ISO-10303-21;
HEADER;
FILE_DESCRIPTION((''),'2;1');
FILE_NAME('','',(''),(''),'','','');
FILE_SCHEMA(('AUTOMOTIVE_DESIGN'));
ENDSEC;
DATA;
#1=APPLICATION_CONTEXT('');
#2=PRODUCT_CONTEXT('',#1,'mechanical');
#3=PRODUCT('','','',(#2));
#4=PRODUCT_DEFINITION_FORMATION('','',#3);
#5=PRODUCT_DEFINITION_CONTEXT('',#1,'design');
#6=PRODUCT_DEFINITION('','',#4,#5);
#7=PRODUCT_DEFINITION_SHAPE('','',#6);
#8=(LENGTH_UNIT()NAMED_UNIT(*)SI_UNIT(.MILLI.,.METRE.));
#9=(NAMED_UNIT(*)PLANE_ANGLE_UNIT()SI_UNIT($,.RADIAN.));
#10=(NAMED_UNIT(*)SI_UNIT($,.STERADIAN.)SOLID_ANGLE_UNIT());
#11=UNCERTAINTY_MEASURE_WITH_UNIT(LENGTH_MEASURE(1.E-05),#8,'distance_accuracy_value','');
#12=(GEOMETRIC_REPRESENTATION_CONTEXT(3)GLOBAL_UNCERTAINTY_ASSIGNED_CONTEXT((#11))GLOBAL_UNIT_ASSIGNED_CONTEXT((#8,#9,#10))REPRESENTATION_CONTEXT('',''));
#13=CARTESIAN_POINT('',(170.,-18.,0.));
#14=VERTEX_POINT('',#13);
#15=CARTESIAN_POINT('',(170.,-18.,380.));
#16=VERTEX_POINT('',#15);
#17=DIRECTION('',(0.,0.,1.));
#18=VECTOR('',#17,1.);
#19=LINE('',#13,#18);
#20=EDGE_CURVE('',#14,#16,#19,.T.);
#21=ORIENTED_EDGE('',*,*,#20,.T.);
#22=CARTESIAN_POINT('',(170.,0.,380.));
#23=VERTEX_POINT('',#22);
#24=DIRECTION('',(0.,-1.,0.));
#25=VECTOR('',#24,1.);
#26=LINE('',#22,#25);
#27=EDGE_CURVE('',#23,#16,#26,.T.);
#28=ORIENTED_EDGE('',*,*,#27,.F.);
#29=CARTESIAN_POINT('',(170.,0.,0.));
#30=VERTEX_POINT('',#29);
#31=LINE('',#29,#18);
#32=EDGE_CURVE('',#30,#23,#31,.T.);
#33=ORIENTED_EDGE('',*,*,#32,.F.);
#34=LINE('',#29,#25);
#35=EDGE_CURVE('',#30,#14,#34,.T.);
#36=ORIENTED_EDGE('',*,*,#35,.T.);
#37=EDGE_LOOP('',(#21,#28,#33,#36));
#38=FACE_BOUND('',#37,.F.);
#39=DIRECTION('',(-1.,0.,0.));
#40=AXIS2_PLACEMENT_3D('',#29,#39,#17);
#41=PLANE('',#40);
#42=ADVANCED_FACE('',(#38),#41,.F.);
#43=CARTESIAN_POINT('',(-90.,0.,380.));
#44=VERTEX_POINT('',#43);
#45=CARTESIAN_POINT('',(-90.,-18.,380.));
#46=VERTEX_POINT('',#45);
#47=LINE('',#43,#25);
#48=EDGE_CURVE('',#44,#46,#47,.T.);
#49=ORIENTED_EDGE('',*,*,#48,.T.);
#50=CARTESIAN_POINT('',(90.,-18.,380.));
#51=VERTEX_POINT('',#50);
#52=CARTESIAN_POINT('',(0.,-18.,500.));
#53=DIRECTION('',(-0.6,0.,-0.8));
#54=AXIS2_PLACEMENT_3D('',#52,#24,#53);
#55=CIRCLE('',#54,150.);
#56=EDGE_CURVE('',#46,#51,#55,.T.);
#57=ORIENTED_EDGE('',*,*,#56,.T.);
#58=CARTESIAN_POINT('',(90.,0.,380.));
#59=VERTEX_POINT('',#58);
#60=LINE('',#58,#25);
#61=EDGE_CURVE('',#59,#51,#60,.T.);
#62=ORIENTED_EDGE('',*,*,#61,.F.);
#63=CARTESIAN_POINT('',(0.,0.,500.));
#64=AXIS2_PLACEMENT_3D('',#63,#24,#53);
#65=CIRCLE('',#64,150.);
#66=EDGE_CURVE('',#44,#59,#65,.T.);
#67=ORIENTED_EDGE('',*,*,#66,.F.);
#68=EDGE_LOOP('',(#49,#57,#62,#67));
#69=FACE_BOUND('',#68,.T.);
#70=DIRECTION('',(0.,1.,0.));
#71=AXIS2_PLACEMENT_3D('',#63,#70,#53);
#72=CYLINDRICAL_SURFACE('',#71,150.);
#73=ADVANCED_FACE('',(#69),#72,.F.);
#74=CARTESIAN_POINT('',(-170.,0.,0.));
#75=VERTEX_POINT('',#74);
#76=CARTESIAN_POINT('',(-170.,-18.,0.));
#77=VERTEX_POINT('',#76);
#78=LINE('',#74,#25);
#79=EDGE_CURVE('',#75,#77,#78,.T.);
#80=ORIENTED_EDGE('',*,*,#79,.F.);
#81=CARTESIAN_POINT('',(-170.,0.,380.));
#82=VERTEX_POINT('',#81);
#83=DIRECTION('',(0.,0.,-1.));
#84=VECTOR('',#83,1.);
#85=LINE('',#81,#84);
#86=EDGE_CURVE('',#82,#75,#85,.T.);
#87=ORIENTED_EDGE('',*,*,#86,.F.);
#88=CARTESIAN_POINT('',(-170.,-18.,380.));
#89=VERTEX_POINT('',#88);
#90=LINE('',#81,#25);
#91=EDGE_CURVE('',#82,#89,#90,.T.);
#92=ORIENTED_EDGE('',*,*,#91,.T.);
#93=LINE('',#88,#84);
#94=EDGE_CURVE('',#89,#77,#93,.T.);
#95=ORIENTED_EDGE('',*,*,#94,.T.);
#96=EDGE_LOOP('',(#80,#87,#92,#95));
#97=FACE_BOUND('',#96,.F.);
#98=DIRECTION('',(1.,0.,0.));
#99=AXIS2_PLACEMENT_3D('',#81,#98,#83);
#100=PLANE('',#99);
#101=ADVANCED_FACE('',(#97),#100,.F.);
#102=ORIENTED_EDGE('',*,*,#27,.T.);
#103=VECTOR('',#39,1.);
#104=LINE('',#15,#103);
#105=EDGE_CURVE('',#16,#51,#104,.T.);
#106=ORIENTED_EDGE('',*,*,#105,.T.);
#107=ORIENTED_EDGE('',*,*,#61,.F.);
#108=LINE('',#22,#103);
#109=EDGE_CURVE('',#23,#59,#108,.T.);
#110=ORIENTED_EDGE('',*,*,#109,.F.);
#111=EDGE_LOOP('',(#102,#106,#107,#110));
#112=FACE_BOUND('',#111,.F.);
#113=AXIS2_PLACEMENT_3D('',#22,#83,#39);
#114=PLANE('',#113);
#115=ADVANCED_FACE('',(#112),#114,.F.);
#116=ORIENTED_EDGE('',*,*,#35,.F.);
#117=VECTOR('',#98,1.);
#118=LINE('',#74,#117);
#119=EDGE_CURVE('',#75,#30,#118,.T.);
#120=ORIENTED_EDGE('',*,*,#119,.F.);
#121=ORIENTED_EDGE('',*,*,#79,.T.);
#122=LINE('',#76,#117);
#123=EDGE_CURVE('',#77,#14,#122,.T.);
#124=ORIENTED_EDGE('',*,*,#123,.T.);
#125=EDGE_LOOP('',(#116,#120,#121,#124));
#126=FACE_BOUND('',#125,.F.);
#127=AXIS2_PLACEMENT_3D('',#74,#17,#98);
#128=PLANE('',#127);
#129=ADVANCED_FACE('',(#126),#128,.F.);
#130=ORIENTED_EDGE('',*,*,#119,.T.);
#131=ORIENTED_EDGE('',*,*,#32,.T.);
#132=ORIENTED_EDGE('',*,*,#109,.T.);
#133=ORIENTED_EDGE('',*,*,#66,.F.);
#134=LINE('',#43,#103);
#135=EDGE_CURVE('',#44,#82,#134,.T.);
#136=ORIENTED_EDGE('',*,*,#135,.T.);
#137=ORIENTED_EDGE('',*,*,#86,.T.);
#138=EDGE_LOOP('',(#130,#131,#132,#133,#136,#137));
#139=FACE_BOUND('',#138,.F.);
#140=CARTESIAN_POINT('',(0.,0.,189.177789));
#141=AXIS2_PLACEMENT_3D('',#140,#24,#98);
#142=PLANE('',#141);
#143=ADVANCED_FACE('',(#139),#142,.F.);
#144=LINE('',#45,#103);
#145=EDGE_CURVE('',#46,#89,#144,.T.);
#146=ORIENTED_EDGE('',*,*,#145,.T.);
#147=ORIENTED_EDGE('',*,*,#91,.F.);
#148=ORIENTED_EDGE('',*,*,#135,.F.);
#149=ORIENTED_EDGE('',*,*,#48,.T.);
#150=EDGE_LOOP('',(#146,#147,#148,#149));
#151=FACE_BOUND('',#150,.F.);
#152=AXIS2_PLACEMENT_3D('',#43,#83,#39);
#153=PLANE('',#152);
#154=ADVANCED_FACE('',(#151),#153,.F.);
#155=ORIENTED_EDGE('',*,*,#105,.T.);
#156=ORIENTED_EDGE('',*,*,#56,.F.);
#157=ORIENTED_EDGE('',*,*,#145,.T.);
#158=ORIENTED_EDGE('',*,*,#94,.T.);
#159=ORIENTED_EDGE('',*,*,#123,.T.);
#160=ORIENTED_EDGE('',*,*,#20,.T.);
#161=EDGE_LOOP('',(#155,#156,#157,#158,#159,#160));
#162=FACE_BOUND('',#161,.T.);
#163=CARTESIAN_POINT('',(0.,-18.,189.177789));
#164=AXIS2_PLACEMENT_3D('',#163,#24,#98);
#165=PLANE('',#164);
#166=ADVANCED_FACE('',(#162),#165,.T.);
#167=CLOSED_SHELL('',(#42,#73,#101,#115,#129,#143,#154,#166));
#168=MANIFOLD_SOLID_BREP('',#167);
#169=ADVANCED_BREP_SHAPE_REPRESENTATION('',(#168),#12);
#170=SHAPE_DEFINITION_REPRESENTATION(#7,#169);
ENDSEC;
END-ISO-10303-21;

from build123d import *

# Parameters (mm, degrees)
PAD_DEPTH = 18


with BuildPart() as part:
    # Sketch → Pad (new body)
    with BuildSketch(Plane.XZ):
        with BuildLine():
            Line((-170, 0), (170, 0))
            Line((170, 0), (170, 380))
            Line((170, 380), (90, 380))
            ThreePointArc((-90, 380), (0, 350), (90, 380))
            Line((-90, 380), (-170, 380))
            Line((-170, 380), (-170, 0))
        make_face()
    extrude(amount=PAD_DEPTH)


solid = part.part
